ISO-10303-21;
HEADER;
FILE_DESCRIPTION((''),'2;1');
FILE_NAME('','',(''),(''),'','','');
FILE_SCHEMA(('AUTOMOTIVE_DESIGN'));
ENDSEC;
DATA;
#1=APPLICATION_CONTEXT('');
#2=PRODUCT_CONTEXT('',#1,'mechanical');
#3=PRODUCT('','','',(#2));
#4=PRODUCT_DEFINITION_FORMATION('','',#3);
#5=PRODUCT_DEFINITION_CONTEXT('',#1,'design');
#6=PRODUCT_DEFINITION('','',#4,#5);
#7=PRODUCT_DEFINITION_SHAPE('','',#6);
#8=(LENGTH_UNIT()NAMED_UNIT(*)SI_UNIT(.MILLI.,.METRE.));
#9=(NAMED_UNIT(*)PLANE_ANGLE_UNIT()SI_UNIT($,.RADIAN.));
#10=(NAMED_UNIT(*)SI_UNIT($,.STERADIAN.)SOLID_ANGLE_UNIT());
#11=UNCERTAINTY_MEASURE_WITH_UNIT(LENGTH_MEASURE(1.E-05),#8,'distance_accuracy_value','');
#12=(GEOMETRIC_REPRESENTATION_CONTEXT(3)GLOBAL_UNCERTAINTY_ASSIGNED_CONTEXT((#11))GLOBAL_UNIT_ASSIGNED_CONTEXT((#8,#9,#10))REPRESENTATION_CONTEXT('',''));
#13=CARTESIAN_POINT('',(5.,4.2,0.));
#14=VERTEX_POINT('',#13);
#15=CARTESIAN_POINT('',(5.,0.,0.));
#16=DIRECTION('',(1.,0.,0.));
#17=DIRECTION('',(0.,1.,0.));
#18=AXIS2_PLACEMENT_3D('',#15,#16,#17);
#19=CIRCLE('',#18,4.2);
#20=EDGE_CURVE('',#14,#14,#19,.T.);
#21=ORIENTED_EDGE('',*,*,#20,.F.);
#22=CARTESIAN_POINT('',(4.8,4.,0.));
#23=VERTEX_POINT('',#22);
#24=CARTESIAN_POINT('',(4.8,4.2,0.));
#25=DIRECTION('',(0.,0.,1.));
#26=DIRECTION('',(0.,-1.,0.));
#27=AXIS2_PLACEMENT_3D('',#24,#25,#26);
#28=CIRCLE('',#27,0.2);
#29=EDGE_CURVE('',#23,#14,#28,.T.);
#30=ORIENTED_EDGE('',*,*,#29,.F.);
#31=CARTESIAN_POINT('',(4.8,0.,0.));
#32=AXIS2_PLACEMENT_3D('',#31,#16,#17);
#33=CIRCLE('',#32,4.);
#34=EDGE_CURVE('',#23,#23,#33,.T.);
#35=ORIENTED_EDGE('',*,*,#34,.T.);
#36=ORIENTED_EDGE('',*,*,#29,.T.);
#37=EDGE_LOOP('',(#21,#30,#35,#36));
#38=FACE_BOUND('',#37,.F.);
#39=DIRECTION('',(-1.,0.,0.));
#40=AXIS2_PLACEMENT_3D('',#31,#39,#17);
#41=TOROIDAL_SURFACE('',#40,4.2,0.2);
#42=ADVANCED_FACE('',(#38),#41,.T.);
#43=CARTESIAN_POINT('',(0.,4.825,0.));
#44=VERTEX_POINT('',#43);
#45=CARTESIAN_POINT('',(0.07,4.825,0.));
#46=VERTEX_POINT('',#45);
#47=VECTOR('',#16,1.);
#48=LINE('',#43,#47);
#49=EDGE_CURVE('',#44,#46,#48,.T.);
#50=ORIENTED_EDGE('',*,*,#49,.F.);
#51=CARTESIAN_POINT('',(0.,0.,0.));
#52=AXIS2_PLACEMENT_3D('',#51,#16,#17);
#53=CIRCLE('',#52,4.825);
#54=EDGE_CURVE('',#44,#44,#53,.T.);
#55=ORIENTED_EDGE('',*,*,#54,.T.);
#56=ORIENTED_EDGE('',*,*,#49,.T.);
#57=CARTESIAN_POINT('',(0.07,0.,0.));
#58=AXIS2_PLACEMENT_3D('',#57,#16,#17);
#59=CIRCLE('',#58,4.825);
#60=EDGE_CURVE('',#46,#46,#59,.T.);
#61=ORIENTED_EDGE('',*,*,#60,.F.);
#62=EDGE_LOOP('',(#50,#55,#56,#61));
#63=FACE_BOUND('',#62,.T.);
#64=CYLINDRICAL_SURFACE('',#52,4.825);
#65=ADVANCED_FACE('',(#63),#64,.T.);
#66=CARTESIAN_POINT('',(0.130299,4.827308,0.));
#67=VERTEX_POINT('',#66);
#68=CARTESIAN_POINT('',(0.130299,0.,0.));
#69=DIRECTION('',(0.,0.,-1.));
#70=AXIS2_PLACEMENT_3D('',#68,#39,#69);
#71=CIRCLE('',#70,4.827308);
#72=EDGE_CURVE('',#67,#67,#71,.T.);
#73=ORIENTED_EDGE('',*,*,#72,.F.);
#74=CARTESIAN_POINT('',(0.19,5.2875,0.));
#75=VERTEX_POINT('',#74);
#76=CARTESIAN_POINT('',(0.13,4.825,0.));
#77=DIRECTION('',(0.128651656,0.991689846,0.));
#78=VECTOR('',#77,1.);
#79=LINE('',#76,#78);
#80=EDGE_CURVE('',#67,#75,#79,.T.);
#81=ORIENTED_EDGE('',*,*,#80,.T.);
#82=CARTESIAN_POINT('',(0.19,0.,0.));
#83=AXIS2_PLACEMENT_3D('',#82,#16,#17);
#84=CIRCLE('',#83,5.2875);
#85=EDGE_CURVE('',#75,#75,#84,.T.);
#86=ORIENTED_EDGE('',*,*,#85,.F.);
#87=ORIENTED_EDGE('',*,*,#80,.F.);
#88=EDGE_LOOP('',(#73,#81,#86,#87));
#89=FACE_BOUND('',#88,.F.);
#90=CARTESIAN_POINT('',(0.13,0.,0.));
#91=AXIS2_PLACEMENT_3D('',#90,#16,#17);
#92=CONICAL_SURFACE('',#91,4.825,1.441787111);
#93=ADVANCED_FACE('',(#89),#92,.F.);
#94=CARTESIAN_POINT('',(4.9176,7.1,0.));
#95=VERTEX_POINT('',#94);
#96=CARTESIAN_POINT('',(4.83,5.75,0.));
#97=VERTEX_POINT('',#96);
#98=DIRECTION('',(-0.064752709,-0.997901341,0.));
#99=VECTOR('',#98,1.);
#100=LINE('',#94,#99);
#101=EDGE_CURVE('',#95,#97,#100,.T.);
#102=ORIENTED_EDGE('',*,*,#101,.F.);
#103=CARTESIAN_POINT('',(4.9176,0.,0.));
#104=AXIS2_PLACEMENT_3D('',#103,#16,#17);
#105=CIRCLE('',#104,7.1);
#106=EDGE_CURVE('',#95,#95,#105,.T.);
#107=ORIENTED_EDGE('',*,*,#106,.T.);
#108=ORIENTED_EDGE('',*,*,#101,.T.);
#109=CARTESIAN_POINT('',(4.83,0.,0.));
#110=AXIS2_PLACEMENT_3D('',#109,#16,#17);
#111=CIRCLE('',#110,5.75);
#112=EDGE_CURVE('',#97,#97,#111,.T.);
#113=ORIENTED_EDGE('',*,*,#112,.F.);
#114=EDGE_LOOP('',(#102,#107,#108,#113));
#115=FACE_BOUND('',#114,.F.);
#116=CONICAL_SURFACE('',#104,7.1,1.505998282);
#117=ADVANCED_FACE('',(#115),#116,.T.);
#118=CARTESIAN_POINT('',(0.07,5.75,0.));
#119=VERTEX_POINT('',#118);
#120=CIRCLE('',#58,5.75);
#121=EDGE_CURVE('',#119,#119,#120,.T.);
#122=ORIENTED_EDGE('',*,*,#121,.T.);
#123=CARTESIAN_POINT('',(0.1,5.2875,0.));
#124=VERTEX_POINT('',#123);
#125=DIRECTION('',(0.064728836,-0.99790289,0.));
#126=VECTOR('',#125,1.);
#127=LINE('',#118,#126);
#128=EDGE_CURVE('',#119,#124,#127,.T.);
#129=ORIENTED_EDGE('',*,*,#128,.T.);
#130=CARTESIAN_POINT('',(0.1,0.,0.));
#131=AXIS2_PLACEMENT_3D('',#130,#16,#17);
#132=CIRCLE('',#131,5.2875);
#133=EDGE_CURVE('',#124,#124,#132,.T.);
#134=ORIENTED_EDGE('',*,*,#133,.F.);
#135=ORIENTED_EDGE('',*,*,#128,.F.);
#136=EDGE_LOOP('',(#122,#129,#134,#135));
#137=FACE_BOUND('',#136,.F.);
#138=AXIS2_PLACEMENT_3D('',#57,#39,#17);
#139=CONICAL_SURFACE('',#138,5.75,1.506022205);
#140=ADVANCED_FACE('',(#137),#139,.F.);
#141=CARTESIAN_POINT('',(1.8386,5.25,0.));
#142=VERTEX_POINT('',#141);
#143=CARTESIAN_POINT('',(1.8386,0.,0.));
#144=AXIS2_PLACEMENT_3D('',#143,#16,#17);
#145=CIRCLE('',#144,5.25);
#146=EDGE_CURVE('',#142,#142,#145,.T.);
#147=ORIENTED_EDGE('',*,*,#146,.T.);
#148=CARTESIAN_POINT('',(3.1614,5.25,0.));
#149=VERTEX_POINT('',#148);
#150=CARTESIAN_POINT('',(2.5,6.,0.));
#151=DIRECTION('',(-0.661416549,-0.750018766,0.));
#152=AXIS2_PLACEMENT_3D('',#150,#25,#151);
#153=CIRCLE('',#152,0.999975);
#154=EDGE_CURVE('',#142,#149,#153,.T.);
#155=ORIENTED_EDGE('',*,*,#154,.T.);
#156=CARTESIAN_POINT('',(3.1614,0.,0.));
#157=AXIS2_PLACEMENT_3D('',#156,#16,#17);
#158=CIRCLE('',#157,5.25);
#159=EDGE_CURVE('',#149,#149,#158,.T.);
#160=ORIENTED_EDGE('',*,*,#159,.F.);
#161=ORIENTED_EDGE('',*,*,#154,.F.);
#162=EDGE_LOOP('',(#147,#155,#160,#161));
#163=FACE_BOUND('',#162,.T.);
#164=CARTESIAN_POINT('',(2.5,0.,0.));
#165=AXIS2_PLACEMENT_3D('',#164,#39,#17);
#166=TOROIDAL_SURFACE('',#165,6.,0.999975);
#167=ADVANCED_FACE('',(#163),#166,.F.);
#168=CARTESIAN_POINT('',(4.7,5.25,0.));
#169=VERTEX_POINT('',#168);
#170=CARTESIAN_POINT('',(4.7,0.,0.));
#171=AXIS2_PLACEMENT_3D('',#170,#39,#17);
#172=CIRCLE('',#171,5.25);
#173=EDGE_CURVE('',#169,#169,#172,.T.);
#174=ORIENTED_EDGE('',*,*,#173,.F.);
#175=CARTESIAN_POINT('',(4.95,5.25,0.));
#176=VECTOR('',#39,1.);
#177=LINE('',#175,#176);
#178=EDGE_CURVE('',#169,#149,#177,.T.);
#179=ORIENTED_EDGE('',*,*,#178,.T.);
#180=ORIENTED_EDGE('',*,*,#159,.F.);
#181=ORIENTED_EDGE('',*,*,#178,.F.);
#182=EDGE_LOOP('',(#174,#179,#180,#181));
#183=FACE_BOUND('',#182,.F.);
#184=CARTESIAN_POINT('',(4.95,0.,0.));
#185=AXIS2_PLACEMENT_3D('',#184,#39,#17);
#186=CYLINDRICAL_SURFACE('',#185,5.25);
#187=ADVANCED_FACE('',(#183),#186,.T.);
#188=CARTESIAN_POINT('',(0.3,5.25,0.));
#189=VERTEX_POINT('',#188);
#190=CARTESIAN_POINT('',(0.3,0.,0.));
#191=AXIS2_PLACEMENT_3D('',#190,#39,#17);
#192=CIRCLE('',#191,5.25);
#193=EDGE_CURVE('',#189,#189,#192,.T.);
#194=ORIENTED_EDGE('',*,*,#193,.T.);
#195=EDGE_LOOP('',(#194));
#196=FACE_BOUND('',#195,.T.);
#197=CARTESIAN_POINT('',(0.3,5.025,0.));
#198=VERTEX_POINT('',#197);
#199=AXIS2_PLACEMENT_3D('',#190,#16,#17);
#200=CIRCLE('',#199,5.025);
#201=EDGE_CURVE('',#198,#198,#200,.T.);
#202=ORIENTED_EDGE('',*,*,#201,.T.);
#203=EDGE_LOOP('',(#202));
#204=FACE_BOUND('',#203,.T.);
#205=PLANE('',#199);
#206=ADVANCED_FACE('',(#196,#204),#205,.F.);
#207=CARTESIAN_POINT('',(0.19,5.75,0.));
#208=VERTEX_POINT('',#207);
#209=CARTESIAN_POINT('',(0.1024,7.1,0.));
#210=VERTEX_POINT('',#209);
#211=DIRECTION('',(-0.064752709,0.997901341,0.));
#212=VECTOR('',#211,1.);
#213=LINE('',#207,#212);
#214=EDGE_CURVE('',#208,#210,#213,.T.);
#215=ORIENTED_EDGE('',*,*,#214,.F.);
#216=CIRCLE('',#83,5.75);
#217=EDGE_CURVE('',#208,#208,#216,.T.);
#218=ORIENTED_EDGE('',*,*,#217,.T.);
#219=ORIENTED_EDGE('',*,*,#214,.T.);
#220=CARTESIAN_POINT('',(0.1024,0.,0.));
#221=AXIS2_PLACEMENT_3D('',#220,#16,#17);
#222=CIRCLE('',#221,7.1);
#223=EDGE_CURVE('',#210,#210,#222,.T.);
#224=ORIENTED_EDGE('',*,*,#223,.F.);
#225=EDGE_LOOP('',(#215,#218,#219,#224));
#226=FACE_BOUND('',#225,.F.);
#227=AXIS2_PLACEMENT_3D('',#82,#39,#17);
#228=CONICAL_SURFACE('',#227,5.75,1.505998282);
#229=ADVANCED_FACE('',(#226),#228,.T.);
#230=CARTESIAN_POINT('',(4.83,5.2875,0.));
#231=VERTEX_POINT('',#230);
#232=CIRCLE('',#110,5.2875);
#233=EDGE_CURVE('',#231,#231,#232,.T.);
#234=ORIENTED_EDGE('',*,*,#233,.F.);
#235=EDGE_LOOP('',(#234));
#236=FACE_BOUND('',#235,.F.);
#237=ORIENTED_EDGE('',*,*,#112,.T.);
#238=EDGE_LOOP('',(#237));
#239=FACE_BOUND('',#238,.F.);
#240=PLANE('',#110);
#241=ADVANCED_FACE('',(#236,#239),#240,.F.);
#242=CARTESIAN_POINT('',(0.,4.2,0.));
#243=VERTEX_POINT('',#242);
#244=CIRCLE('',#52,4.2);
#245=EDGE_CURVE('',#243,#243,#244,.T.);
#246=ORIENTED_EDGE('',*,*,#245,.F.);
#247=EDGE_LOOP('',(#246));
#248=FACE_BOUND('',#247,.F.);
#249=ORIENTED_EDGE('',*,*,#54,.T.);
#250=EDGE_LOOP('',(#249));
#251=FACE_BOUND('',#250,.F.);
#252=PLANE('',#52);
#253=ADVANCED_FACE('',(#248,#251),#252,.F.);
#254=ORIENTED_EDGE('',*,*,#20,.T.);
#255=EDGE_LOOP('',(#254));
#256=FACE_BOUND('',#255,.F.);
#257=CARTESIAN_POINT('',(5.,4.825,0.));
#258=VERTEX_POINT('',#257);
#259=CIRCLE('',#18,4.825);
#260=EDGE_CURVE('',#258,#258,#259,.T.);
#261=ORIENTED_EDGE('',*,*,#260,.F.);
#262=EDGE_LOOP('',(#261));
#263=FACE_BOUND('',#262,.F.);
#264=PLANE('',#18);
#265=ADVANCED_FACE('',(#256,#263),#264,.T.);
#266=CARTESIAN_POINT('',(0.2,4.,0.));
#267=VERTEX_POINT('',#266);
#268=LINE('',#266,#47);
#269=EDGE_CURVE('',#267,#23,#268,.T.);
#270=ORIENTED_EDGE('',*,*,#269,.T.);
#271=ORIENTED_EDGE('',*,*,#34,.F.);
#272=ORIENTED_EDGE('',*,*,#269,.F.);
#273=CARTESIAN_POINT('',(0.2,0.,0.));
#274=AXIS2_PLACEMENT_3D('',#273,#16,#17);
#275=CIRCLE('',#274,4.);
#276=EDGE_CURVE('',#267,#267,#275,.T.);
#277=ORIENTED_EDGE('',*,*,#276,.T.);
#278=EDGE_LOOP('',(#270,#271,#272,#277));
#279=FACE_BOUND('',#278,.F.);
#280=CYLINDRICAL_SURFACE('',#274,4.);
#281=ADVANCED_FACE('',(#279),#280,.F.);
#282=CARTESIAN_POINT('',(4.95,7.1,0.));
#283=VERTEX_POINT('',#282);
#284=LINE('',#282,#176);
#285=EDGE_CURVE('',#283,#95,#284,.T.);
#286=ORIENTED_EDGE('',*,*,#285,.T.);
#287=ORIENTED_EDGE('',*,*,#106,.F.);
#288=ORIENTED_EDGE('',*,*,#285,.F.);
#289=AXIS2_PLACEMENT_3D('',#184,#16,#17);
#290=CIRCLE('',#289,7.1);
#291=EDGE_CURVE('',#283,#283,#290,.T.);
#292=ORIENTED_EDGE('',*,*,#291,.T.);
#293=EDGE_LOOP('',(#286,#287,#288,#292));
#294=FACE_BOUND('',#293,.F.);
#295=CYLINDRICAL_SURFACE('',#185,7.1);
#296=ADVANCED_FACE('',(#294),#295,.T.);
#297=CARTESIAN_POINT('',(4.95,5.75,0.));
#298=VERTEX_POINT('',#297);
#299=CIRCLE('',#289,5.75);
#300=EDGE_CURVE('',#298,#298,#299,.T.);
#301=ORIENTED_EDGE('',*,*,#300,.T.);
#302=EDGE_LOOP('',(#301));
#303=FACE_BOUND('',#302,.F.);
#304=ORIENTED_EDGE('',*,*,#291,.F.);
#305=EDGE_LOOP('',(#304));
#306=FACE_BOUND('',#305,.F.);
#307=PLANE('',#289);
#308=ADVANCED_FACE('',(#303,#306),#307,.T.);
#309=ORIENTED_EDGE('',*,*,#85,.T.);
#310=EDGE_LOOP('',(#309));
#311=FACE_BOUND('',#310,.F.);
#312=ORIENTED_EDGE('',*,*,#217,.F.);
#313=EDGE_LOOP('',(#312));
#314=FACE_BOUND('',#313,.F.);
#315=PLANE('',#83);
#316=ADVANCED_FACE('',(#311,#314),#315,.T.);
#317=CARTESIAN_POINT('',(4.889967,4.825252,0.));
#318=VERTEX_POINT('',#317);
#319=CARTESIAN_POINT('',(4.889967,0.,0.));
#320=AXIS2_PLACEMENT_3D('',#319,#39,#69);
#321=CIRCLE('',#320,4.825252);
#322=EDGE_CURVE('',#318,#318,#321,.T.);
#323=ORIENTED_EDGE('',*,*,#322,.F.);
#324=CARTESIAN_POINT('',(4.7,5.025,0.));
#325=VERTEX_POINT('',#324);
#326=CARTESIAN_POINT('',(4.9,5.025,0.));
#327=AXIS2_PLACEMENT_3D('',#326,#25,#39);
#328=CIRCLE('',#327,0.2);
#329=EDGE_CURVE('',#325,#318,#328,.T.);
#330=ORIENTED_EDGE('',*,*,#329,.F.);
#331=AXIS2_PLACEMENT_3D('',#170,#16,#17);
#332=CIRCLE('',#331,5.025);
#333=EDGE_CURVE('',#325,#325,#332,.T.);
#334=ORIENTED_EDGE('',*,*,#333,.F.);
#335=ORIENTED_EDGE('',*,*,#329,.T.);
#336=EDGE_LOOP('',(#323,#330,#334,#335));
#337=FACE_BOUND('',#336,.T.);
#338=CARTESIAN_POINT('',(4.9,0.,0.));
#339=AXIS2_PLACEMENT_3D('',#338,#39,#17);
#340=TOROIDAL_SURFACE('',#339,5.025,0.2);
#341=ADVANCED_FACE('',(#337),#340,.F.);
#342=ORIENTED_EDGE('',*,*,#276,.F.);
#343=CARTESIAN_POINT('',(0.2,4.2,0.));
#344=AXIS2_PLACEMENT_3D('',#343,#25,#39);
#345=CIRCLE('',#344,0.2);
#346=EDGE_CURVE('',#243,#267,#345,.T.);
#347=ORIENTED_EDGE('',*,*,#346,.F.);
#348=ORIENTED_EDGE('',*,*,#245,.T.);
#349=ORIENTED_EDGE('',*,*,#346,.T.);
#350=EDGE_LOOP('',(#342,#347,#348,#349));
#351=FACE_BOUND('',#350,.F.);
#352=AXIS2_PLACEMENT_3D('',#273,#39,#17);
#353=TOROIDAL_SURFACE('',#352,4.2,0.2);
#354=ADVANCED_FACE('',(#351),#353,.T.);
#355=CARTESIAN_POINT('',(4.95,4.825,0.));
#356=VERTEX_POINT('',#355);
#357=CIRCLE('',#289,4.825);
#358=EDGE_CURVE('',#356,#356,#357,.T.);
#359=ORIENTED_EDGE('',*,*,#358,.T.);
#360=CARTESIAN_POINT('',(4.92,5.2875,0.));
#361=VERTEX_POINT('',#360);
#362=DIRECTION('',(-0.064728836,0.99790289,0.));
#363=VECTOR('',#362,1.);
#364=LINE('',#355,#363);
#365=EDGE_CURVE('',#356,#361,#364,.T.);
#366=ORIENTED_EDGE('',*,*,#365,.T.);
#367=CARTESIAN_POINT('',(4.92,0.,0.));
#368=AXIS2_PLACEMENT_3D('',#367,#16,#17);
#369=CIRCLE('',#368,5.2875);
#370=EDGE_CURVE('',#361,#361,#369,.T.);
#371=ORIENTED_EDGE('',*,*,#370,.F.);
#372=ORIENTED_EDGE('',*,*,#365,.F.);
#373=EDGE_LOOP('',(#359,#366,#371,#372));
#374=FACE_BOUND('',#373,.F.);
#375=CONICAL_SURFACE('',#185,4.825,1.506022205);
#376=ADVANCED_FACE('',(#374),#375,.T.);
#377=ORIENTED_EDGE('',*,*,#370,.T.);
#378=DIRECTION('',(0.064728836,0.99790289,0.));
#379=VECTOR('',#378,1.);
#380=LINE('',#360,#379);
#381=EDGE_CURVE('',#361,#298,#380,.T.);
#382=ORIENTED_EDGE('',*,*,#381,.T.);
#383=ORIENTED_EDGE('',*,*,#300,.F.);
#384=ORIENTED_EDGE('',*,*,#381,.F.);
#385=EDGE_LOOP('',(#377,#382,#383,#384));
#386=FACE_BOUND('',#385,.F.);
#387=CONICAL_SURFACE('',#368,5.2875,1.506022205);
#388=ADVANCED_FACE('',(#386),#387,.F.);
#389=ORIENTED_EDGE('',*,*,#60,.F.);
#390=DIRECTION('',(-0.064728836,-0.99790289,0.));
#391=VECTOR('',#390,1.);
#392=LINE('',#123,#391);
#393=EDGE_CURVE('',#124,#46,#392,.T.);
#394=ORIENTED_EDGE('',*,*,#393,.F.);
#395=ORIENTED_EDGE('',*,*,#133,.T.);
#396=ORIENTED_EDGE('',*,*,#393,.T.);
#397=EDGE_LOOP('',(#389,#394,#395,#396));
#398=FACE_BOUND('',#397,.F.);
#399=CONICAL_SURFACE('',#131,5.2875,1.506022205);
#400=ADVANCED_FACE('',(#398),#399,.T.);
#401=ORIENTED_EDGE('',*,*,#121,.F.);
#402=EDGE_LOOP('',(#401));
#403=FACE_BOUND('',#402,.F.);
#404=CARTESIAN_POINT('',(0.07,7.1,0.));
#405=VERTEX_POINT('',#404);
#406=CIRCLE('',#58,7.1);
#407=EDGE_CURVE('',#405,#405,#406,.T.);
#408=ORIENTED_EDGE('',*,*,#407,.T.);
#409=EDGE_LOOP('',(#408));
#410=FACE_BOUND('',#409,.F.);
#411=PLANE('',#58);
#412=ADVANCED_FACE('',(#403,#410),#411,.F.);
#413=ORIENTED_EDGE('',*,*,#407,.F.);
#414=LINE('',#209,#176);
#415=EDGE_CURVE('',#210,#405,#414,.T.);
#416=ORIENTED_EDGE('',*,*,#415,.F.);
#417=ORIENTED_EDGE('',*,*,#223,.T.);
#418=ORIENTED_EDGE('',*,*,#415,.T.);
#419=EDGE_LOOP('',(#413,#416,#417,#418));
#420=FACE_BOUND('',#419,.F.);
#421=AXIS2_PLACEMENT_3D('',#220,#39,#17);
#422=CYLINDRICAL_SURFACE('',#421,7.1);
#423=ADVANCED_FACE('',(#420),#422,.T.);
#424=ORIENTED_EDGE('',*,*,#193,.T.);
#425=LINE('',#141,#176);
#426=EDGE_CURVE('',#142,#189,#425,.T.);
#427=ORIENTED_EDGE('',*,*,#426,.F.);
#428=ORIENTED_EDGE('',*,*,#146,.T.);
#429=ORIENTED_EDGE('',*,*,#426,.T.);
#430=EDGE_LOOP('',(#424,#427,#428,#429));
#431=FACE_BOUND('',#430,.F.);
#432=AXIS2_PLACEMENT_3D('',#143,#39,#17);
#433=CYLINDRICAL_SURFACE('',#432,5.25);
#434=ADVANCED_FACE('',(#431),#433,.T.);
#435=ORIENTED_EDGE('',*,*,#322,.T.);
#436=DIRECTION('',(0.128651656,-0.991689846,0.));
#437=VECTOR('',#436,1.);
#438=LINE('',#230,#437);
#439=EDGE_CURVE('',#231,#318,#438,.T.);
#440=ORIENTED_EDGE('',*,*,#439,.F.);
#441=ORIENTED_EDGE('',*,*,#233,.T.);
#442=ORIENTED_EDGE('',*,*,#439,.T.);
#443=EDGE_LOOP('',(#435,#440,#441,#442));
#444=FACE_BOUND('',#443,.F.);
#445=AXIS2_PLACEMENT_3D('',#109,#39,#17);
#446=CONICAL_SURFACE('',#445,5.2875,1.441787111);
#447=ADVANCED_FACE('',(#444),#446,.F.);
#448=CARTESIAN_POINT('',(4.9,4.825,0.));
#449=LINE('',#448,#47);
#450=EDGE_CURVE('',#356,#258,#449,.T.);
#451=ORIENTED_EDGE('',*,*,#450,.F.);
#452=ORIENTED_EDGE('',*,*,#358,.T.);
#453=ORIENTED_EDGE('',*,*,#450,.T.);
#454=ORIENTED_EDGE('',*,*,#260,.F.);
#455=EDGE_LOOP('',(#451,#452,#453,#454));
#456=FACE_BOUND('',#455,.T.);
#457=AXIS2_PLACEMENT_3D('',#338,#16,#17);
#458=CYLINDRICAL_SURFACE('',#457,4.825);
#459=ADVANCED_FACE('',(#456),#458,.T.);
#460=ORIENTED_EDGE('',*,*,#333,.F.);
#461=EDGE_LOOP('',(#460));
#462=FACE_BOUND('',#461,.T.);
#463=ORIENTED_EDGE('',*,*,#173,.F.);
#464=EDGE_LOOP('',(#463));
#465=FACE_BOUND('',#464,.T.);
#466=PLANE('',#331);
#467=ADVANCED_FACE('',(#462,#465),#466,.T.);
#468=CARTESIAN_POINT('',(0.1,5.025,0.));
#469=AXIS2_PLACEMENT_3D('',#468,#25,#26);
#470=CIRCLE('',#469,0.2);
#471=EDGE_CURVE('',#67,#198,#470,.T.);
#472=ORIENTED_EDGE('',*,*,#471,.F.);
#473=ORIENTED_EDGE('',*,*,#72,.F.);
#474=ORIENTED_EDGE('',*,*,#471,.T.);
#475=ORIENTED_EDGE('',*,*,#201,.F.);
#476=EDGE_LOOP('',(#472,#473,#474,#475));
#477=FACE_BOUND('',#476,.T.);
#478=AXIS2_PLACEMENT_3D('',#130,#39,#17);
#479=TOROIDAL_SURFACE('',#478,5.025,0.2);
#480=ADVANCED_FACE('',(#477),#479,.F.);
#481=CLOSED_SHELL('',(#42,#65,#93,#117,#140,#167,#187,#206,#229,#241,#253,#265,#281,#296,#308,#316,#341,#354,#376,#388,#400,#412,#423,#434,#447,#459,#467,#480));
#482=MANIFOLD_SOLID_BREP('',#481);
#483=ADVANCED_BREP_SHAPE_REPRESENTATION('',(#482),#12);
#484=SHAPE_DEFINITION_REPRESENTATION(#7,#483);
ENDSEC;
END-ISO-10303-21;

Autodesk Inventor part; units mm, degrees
ref_plane "YZ Plane" through (0, 0, 0) normal (1, 0, 0) x (0, 1, 0)
ref_plane "XZ Plane" through (0, 0, 0) normal (0, 1, 0) x (-1, 0, 0)
ref_plane "XY Plane" through (0, 0, 0) normal (0, 0, 1) x (1, 0, 0)
sketch "Sketch_40" plane through (0, 0, 0) normal (0, 0, 1) x (1, 0, 0)
  line L0 (2.5, 0) -> (-2.5, 0)
  line L1 (0, 5.2) -> (0, 4.2)
  arc A0 (0, 4.2) -> (0.2, 4) centre (0.2, 4.2) ccw
  line L2 (0.2, 4) -> (4.8, 4)
  arc A1 (4.8, 4) -> (5, 4.2) centre (4.8, 4.2) ccw
  line L3 (5, 4.2) -> (5, 5.2)
  arc A2 (5, 5.2) -> (4.95, 5.25) centre (4.95, 5.2) ccw
  line L4 (4.95, 5.25) -> (3.1614, 5.25)
  arc A3 (1.8386, 5.25) -> (3.1614, 5.25) centre (2.5, 6) ccw
  line L5 (1.8386, 5.25) -> (0.05, 5.25)
  arc A4 (0.05, 5.25) -> (0, 5.2) centre (0.05, 5.2) ccw
revolve "Revolution1" add sketch "Sketch_40" angle 360 about axis through (2.5, 0, 0) along (1, 0, 0)
sketch "Sketch_42" plane through (0, 0, 0) normal (0, 0, 1) x (1, 0, 0)
  line L0 (2.5, 0) -> (-2.5, 0)
  line L1 (0, 10.825) -> (0, 4.825)
  line L2 (0, 4.825) -> (0.1, 4.825)
  arc A0 (0.1, 4.825) -> (0.3, 5.025) centre (0.1, 5.025) ccw
  line L3 (0.3, 5.025) -> (0.3, 10.625)
  line L4 (0.3, 10.625) -> (4.7, 10.625)
  line L5 (4.7, 10.625) -> (4.7, 5.025)
  arc A1 (4.7, 5.025) -> (4.9, 4.825) centre (4.9, 5.025) ccw
  line L6 (4.9, 4.825) -> (5, 4.825)
  line L7 (5, 4.825) -> (5, 10.825)
  line L8 (5, 10.825) -> (0, 10.825)
revolve "Revolution2" cut sketch "Sketch_42" angle 360 about axis through (2.5, 0, 0) along (1, 0, 0)
sketch "Sketch_44" plane through (0, 0, 0) normal (0, 0, 1) x (1, 0, 0)
  line L0 (5, 0) -> (-5, 0)
  line L1 (4.83, 5.2875) -> (4.89, 4.825)
  line L2 (4.89, 4.825) -> (4.95, 4.825)
  line L3 (4.95, 4.825) -> (4.92, 5.2875)
  line L4 (4.92, 5.2875) -> (4.95, 5.75)
  line L5 (4.95, 5.75) -> (4.95, 7.1)
  line L6 (4.95, 7.1) -> (4.9176, 7.1)
  line L7 (4.9176, 7.1) -> (4.83, 5.75)
  line L8 (4.83, 5.75) -> (4.83, 5.2875)
revolve "Revolution3" add sketch "Sketch_44" angle 360 about axis through (5, 0, 0) along (1, 0, 0)
sketch "Sketch_49" plane through (0, 0, 0) normal (0, 0, 1) x (1, 0, 0)
  line L0 (5, 0) -> (-5, 0)
  line L1 (0.07, 4.825) -> (0.13, 4.825)
  line L2 (0.13, 4.825) -> (0.19, 5.2875)
  line L3 (0.19, 5.2875) -> (0.19, 5.75)
  line L4 (0.19, 5.75) -> (0.1024, 7.1)
  line L5 (0.1024, 7.1) -> (0.07, 7.1)
  line L6 (0.07, 7.1) -> (0.07, 5.75)
  line L7 (0.07, 5.75) -> (0.1, 5.2875)
  line L8 (0.1, 5.2875) -> (0.07, 4.825)
revolve "Revolution4" add sketch "Sketch_49" angle 360 about axis through (5, 0, 0) along (1, 0, 0)
properties part number "SKF_W 628/8 R-2RS1_PART1"
